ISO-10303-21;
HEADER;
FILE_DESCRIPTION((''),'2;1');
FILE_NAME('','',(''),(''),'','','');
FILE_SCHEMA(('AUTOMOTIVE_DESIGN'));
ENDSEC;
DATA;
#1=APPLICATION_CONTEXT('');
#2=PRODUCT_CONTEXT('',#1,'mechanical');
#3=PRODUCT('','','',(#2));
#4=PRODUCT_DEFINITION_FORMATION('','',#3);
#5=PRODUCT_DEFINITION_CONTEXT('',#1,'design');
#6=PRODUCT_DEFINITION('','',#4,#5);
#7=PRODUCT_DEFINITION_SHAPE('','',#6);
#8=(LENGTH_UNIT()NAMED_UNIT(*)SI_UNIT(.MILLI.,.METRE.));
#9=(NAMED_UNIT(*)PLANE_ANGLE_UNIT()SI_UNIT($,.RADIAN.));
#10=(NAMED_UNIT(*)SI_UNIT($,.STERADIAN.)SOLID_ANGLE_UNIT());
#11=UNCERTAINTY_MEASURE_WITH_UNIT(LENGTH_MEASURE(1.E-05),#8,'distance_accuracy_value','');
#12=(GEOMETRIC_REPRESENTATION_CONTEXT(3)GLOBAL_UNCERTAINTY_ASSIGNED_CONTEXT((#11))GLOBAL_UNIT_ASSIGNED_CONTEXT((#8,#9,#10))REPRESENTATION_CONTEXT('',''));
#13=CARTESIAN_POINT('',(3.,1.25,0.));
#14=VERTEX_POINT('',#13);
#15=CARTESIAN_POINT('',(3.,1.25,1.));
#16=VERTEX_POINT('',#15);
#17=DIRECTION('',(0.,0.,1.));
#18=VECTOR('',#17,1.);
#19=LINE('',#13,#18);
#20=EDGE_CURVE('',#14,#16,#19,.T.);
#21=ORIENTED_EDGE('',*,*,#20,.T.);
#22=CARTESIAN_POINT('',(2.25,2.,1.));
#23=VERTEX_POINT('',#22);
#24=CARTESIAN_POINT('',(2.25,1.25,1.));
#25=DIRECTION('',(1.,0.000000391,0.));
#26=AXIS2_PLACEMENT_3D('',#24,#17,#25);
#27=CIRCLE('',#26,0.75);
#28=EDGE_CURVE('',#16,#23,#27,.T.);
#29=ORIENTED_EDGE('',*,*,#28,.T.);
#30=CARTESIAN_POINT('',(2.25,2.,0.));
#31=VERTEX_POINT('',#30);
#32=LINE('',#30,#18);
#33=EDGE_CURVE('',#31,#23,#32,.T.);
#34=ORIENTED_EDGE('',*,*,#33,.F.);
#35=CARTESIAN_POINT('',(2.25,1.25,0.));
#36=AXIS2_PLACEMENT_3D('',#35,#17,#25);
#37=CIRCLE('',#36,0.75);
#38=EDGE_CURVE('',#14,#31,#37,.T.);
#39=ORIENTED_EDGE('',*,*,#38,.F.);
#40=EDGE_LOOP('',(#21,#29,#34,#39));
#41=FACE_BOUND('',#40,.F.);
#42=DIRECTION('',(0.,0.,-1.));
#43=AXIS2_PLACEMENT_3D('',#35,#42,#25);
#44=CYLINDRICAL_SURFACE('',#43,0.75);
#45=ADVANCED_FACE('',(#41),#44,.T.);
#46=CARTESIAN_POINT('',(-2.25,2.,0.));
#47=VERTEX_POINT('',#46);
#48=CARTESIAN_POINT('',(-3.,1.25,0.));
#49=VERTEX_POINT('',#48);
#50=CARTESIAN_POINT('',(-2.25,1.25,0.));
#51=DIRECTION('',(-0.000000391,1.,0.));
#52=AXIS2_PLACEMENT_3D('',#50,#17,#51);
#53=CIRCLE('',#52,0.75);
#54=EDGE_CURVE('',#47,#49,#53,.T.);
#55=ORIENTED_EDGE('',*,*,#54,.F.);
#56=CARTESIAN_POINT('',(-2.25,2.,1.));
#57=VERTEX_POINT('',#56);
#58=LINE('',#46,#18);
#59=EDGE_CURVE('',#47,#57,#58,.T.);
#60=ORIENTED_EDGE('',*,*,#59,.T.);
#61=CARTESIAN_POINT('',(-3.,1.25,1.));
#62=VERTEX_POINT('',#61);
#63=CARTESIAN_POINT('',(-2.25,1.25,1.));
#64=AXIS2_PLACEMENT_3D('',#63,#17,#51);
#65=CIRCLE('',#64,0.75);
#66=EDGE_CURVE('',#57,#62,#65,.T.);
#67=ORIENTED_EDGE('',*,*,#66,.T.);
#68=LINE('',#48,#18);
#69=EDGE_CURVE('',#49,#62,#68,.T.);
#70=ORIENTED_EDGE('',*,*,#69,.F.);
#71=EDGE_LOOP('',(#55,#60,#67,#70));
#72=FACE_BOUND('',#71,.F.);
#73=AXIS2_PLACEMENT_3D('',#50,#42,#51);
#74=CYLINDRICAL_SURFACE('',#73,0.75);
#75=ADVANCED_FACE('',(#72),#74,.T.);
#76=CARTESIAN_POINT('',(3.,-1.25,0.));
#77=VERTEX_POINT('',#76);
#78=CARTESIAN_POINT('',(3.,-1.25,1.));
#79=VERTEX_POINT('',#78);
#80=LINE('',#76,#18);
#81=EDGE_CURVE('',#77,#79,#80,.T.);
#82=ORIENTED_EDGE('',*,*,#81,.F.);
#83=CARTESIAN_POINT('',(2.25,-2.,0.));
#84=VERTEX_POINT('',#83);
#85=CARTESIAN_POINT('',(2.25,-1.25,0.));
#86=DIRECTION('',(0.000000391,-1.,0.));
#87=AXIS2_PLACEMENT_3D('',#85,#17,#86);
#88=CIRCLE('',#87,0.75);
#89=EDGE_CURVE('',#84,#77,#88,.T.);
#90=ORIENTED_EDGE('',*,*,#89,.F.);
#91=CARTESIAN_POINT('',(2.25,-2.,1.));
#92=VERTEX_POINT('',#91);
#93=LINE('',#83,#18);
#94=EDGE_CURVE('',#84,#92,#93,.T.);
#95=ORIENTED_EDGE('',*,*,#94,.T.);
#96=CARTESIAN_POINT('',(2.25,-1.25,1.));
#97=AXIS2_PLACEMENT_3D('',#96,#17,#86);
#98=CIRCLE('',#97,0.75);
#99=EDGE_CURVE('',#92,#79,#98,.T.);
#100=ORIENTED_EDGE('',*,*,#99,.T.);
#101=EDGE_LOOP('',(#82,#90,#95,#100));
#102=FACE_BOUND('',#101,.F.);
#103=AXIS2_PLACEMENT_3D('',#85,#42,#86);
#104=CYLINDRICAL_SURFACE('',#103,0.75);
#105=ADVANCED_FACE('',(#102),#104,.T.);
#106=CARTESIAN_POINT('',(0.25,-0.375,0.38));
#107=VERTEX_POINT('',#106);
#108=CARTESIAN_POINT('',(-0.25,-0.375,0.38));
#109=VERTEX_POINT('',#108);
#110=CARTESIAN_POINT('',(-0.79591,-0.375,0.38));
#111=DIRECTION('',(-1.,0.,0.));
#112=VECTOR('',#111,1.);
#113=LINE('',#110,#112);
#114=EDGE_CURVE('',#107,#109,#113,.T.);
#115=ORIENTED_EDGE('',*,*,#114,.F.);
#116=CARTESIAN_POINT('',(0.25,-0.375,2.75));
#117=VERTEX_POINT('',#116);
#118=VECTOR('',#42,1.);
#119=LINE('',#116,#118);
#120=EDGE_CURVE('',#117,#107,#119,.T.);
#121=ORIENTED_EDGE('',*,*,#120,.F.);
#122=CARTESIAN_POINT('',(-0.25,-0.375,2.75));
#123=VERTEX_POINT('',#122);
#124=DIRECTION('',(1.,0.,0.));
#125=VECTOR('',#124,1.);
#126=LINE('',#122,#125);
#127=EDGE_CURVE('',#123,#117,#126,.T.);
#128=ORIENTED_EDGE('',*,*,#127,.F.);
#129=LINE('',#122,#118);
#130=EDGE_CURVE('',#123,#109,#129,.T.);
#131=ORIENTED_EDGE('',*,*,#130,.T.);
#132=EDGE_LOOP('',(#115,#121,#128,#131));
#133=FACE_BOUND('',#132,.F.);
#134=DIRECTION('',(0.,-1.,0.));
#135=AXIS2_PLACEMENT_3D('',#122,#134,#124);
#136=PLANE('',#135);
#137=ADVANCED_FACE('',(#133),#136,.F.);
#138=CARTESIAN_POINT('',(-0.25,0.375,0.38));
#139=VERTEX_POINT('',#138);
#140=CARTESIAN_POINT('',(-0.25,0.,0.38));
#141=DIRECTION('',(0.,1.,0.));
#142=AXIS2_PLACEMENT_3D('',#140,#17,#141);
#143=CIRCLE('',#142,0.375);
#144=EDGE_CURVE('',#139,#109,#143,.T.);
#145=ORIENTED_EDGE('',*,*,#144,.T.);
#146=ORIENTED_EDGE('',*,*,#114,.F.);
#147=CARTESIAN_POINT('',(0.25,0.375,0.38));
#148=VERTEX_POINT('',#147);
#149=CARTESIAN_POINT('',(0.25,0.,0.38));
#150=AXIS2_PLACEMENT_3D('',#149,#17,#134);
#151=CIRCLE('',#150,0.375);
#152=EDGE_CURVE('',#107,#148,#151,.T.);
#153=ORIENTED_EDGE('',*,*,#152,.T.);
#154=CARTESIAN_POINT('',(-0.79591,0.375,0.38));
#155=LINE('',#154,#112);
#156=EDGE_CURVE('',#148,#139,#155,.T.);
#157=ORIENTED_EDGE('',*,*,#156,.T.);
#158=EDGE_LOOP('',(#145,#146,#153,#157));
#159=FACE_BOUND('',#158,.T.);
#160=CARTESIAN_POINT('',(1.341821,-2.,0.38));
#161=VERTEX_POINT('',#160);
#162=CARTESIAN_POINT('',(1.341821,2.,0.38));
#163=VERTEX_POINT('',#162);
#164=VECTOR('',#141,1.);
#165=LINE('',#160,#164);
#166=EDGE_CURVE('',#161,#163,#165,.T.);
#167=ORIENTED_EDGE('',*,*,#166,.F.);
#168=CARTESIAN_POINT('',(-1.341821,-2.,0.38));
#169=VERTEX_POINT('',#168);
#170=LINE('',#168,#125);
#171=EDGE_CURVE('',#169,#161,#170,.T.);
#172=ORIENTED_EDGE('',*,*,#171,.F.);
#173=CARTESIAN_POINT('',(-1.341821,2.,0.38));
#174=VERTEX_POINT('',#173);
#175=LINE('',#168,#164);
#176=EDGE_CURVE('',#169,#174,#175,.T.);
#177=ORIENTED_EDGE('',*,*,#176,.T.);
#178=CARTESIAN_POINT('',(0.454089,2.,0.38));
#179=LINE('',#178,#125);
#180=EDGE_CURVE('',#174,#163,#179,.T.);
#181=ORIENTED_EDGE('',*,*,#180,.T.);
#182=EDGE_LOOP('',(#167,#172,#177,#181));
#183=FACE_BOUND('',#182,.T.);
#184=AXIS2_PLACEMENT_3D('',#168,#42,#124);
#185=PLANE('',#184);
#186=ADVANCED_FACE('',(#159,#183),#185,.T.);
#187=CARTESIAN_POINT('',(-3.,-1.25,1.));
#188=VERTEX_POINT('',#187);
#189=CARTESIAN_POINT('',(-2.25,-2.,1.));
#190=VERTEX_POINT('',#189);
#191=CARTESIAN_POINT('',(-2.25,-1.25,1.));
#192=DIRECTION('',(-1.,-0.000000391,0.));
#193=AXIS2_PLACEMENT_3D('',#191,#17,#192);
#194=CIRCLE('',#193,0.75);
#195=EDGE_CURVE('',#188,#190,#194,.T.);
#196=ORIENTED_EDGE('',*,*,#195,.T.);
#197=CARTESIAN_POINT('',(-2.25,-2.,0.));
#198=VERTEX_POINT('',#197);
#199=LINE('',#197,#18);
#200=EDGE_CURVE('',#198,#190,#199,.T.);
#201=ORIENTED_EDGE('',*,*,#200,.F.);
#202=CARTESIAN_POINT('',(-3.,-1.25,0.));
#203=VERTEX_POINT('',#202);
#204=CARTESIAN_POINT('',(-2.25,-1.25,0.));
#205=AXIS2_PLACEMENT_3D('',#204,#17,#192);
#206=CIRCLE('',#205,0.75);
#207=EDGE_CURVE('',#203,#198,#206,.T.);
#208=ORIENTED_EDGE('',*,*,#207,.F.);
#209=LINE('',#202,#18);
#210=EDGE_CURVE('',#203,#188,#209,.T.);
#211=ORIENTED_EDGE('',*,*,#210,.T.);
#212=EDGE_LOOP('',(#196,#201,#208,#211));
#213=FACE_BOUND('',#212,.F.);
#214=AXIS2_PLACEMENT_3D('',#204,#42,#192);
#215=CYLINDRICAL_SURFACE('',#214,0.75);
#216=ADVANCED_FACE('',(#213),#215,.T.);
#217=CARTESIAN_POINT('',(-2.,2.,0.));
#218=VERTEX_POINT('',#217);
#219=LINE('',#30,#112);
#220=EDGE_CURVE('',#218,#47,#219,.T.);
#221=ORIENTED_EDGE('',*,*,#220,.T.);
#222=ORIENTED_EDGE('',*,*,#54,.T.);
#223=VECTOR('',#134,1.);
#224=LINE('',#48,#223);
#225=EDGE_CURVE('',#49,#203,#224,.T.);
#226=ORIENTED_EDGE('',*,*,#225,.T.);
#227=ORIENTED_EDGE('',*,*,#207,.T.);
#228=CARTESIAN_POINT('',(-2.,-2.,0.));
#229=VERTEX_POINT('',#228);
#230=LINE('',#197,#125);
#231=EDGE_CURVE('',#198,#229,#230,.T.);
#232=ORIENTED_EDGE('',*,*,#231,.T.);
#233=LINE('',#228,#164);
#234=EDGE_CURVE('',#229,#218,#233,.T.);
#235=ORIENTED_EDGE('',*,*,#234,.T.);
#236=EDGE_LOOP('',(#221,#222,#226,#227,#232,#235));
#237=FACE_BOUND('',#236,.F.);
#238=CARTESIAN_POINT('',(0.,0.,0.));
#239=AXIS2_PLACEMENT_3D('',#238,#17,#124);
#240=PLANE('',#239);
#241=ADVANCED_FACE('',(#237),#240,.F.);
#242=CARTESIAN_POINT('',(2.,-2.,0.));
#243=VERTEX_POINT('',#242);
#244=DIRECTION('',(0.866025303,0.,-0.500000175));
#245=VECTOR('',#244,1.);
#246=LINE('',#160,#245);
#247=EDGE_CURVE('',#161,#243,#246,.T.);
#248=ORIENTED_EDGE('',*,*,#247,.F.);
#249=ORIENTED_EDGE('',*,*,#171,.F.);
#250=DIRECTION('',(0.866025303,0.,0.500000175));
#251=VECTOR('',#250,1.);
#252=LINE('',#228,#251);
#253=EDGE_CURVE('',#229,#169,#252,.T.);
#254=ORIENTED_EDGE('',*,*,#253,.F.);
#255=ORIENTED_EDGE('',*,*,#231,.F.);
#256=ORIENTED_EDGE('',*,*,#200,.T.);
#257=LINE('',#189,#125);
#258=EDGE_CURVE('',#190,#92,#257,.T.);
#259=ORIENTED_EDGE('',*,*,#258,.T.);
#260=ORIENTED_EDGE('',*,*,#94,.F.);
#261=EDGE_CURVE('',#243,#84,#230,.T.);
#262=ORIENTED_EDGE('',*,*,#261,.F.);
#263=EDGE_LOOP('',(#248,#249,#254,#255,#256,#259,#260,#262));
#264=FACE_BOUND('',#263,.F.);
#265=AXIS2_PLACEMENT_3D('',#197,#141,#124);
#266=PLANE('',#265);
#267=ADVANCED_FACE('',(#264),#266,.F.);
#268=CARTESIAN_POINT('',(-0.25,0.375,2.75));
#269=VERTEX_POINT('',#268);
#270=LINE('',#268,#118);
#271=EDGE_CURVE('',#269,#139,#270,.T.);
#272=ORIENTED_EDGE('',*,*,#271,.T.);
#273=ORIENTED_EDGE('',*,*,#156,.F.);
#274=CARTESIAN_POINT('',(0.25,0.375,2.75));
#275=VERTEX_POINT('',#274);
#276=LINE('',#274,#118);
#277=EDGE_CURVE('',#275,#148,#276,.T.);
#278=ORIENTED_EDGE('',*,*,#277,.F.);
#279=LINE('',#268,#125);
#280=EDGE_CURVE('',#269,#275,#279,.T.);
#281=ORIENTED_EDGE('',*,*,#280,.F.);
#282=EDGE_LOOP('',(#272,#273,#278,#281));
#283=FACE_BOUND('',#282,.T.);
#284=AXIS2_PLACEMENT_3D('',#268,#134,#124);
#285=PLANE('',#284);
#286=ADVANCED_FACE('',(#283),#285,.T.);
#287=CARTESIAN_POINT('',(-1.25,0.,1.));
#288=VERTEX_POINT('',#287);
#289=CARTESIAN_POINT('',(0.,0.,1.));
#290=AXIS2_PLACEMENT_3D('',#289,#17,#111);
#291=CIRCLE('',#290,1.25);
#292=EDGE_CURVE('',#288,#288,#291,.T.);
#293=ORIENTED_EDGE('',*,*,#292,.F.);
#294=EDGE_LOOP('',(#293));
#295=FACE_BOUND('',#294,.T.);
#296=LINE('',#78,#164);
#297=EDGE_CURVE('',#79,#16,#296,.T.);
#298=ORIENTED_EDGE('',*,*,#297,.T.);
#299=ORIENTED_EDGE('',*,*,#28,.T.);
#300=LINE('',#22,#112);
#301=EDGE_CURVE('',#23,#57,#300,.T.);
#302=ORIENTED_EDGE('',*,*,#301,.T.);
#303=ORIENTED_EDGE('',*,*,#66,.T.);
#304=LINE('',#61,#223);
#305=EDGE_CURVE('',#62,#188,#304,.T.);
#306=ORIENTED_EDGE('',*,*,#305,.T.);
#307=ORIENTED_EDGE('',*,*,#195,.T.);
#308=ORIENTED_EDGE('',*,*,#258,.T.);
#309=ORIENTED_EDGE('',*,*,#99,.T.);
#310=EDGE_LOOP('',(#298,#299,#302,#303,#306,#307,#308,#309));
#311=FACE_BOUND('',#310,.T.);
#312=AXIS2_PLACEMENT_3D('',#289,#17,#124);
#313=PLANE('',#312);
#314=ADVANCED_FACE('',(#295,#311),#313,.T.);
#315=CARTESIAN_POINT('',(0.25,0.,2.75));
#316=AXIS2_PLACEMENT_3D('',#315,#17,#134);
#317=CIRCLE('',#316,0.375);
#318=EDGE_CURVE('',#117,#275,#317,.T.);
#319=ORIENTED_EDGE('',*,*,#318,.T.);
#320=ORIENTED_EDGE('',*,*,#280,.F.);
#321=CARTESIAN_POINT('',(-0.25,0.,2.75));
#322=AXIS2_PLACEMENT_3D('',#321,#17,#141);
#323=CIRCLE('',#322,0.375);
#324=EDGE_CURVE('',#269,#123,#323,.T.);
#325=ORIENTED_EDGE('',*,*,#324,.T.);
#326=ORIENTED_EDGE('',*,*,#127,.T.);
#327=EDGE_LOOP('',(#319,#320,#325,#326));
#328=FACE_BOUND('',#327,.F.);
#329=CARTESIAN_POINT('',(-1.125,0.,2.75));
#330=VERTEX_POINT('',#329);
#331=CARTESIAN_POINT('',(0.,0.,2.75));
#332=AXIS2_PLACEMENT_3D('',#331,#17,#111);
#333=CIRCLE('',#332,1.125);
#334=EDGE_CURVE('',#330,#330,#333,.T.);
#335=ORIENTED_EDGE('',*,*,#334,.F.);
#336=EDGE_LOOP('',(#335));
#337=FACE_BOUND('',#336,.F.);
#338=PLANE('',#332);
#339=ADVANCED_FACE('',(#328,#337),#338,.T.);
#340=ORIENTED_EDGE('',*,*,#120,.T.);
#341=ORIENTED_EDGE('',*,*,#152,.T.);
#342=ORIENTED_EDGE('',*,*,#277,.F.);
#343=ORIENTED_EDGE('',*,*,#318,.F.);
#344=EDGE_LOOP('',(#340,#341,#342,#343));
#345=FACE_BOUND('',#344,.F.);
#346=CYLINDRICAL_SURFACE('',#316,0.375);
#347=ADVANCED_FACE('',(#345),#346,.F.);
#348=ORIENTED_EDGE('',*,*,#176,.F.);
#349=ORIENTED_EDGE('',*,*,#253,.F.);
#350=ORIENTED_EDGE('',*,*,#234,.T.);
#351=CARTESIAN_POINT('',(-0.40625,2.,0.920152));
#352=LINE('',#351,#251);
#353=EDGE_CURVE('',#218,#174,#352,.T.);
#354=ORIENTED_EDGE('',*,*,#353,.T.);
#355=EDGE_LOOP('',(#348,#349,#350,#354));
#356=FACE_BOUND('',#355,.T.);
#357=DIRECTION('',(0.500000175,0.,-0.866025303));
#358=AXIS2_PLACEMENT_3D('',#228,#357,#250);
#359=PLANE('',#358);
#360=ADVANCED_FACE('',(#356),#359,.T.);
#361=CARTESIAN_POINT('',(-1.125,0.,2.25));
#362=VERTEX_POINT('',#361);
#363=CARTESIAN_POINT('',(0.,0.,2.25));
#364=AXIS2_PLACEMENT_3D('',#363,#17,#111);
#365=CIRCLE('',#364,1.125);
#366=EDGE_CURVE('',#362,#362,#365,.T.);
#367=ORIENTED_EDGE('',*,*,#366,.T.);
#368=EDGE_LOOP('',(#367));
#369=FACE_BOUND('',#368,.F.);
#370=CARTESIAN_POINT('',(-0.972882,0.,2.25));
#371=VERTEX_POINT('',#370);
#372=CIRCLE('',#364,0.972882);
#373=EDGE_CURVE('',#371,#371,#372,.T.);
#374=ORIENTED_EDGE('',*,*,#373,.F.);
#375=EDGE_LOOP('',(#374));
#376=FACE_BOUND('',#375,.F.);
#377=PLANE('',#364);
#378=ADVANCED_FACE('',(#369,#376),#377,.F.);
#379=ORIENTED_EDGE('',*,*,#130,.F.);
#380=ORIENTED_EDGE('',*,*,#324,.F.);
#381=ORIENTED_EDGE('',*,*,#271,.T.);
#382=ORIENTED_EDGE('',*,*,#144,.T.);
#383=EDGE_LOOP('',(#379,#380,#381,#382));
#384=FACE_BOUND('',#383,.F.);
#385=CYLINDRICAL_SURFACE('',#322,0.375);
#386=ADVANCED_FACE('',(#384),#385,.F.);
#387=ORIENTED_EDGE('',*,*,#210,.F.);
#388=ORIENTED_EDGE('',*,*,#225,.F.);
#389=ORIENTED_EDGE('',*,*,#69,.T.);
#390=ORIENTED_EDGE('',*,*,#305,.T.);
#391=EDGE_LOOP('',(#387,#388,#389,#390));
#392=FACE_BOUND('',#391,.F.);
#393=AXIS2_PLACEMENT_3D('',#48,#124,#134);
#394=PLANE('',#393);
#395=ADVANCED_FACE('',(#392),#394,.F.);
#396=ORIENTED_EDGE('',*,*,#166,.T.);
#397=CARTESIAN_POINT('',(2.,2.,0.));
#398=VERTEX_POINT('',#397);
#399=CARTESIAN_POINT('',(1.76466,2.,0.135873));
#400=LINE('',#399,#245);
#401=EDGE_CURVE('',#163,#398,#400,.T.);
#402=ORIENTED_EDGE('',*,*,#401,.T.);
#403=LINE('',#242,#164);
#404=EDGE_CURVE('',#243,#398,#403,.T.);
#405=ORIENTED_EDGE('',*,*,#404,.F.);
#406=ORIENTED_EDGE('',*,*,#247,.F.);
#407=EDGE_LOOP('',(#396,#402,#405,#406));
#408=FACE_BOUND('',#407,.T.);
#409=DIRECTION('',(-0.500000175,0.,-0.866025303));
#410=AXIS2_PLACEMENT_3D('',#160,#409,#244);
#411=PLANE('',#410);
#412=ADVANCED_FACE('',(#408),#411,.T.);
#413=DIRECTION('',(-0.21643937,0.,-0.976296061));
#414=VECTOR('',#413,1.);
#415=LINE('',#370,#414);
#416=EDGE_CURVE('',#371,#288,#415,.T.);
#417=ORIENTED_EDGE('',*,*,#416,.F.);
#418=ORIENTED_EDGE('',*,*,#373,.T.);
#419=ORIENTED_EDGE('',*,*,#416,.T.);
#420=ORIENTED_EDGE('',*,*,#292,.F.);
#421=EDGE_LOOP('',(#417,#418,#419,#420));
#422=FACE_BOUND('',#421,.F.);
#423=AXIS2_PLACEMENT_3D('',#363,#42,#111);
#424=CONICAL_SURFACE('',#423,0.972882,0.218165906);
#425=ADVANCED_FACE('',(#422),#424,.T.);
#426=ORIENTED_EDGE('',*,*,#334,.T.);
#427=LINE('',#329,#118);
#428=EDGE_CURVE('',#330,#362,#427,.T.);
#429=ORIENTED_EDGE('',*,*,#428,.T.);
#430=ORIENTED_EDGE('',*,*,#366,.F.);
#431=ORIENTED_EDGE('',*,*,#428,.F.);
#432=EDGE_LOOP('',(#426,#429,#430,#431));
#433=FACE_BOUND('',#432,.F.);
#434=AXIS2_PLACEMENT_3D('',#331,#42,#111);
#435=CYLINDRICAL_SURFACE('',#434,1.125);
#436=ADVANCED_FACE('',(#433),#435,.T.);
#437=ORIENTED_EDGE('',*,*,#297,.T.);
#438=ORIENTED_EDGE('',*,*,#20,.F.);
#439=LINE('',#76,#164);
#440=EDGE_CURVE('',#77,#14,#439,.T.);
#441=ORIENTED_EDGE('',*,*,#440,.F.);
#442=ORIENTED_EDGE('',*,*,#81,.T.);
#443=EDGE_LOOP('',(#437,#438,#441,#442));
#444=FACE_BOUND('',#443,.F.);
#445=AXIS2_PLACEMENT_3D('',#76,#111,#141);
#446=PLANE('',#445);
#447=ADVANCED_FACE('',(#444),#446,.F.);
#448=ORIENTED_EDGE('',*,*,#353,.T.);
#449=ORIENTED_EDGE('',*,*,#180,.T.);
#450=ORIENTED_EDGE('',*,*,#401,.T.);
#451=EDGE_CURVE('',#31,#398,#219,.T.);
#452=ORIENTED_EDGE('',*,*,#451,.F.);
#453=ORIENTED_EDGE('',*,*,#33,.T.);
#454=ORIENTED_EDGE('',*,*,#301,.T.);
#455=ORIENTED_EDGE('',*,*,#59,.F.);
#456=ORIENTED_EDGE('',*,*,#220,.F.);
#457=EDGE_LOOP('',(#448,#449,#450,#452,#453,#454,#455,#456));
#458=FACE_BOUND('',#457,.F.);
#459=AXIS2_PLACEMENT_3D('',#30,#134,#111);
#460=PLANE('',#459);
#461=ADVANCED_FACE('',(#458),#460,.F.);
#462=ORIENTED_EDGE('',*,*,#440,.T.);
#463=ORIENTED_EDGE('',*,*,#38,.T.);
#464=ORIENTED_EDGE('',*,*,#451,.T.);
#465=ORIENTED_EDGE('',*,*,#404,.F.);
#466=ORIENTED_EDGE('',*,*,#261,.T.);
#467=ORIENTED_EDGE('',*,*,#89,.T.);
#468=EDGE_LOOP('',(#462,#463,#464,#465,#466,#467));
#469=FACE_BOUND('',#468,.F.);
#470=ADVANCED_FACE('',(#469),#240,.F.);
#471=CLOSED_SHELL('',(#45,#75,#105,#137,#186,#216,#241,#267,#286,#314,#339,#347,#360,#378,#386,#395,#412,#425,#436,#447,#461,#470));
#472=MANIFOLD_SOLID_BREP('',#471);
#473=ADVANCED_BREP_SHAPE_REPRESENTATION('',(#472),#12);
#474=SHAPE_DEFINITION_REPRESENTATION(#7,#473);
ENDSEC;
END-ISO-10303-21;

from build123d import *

# Parameters (mm, degrees)
PAD_DEPTH         = 1
POCKET_DEPTH      = 4.001
POCKET_DEPTH_BACK = -0.001
POCKET001_DEPTH   = 2.751


with BuildPart() as part:
    # Sketch (on XY_Plane of Origin) → Pad (new body)
    with BuildSketch(Plane.XY):
        with BuildLine():
            Line((-3, 1.25), (-3, -1.25))
            ThreePointArc((-3, -1.25), (-2.78033, -1.78033), (-2.25, -2))
            Line((-2.25, -2), (2.25, -2))
            ThreePointArc((2.25, -2), (2.78033, -1.78033), (3, -1.25))
            Line((3, -1.25), (3, 1.25))
            ThreePointArc((3, 1.25), (2.78033, 1.78033), (2.25, 2))
            Line((2.25, 2), (-2.25, 2))
            ThreePointArc((-2.25, 2), (-2.78033, 1.78033), (-3, 1.25))
        make_face()
    extrude(amount=PAD_DEPTH)

    # Sketch001 (on Face3 of Pad) → Pocket (cut, two sides)
    with BuildSketch(Plane.XZ.offset(2)) as pocket_sk:
        Polygon((-2, 0), (-1.341821, 0.38), (1.341821, 0.38), (2, 0), align=None)
    extrude(amount=-POCKET_DEPTH, mode=Mode.SUBTRACT)
    extrude(pocket_sk.sketch, amount=-POCKET_DEPTH_BACK, mode=Mode.SUBTRACT)

    # Sketch002 (on XZ_Plane of Origin) → Revolution (revolve)
    with BuildSketch(Plane.XZ):
        Polygon((0, 1), (0, 2.75), (-1.125, 2.75), (-1.125, 2.25), (-0.972882, 2.25), (-1.25, 1), align=None)
    revolve(axis=Axis((0, 0, 0), (0, 0, 1)))

    # Sketch003 (on Face1 of Revolution) → Pocket001 (cut, through all)
    with BuildSketch(Plane.XY.offset(2.75)):
        with BuildLine():
            ThreePointArc((-0.25, 0.375), (-0.625, 0), (-0.25, -0.375))
            Line((-0.25, -0.375), (0.25, -0.375))
            ThreePointArc((0.25, -0.375), (0.625, 0), (0.25, 0.375))
            Line((-0.25, 0.375), (0.25, 0.375))
        make_face()
    extrude(amount=-POCKET001_DEPTH, mode=Mode.SUBTRACT)


solid = part.part
